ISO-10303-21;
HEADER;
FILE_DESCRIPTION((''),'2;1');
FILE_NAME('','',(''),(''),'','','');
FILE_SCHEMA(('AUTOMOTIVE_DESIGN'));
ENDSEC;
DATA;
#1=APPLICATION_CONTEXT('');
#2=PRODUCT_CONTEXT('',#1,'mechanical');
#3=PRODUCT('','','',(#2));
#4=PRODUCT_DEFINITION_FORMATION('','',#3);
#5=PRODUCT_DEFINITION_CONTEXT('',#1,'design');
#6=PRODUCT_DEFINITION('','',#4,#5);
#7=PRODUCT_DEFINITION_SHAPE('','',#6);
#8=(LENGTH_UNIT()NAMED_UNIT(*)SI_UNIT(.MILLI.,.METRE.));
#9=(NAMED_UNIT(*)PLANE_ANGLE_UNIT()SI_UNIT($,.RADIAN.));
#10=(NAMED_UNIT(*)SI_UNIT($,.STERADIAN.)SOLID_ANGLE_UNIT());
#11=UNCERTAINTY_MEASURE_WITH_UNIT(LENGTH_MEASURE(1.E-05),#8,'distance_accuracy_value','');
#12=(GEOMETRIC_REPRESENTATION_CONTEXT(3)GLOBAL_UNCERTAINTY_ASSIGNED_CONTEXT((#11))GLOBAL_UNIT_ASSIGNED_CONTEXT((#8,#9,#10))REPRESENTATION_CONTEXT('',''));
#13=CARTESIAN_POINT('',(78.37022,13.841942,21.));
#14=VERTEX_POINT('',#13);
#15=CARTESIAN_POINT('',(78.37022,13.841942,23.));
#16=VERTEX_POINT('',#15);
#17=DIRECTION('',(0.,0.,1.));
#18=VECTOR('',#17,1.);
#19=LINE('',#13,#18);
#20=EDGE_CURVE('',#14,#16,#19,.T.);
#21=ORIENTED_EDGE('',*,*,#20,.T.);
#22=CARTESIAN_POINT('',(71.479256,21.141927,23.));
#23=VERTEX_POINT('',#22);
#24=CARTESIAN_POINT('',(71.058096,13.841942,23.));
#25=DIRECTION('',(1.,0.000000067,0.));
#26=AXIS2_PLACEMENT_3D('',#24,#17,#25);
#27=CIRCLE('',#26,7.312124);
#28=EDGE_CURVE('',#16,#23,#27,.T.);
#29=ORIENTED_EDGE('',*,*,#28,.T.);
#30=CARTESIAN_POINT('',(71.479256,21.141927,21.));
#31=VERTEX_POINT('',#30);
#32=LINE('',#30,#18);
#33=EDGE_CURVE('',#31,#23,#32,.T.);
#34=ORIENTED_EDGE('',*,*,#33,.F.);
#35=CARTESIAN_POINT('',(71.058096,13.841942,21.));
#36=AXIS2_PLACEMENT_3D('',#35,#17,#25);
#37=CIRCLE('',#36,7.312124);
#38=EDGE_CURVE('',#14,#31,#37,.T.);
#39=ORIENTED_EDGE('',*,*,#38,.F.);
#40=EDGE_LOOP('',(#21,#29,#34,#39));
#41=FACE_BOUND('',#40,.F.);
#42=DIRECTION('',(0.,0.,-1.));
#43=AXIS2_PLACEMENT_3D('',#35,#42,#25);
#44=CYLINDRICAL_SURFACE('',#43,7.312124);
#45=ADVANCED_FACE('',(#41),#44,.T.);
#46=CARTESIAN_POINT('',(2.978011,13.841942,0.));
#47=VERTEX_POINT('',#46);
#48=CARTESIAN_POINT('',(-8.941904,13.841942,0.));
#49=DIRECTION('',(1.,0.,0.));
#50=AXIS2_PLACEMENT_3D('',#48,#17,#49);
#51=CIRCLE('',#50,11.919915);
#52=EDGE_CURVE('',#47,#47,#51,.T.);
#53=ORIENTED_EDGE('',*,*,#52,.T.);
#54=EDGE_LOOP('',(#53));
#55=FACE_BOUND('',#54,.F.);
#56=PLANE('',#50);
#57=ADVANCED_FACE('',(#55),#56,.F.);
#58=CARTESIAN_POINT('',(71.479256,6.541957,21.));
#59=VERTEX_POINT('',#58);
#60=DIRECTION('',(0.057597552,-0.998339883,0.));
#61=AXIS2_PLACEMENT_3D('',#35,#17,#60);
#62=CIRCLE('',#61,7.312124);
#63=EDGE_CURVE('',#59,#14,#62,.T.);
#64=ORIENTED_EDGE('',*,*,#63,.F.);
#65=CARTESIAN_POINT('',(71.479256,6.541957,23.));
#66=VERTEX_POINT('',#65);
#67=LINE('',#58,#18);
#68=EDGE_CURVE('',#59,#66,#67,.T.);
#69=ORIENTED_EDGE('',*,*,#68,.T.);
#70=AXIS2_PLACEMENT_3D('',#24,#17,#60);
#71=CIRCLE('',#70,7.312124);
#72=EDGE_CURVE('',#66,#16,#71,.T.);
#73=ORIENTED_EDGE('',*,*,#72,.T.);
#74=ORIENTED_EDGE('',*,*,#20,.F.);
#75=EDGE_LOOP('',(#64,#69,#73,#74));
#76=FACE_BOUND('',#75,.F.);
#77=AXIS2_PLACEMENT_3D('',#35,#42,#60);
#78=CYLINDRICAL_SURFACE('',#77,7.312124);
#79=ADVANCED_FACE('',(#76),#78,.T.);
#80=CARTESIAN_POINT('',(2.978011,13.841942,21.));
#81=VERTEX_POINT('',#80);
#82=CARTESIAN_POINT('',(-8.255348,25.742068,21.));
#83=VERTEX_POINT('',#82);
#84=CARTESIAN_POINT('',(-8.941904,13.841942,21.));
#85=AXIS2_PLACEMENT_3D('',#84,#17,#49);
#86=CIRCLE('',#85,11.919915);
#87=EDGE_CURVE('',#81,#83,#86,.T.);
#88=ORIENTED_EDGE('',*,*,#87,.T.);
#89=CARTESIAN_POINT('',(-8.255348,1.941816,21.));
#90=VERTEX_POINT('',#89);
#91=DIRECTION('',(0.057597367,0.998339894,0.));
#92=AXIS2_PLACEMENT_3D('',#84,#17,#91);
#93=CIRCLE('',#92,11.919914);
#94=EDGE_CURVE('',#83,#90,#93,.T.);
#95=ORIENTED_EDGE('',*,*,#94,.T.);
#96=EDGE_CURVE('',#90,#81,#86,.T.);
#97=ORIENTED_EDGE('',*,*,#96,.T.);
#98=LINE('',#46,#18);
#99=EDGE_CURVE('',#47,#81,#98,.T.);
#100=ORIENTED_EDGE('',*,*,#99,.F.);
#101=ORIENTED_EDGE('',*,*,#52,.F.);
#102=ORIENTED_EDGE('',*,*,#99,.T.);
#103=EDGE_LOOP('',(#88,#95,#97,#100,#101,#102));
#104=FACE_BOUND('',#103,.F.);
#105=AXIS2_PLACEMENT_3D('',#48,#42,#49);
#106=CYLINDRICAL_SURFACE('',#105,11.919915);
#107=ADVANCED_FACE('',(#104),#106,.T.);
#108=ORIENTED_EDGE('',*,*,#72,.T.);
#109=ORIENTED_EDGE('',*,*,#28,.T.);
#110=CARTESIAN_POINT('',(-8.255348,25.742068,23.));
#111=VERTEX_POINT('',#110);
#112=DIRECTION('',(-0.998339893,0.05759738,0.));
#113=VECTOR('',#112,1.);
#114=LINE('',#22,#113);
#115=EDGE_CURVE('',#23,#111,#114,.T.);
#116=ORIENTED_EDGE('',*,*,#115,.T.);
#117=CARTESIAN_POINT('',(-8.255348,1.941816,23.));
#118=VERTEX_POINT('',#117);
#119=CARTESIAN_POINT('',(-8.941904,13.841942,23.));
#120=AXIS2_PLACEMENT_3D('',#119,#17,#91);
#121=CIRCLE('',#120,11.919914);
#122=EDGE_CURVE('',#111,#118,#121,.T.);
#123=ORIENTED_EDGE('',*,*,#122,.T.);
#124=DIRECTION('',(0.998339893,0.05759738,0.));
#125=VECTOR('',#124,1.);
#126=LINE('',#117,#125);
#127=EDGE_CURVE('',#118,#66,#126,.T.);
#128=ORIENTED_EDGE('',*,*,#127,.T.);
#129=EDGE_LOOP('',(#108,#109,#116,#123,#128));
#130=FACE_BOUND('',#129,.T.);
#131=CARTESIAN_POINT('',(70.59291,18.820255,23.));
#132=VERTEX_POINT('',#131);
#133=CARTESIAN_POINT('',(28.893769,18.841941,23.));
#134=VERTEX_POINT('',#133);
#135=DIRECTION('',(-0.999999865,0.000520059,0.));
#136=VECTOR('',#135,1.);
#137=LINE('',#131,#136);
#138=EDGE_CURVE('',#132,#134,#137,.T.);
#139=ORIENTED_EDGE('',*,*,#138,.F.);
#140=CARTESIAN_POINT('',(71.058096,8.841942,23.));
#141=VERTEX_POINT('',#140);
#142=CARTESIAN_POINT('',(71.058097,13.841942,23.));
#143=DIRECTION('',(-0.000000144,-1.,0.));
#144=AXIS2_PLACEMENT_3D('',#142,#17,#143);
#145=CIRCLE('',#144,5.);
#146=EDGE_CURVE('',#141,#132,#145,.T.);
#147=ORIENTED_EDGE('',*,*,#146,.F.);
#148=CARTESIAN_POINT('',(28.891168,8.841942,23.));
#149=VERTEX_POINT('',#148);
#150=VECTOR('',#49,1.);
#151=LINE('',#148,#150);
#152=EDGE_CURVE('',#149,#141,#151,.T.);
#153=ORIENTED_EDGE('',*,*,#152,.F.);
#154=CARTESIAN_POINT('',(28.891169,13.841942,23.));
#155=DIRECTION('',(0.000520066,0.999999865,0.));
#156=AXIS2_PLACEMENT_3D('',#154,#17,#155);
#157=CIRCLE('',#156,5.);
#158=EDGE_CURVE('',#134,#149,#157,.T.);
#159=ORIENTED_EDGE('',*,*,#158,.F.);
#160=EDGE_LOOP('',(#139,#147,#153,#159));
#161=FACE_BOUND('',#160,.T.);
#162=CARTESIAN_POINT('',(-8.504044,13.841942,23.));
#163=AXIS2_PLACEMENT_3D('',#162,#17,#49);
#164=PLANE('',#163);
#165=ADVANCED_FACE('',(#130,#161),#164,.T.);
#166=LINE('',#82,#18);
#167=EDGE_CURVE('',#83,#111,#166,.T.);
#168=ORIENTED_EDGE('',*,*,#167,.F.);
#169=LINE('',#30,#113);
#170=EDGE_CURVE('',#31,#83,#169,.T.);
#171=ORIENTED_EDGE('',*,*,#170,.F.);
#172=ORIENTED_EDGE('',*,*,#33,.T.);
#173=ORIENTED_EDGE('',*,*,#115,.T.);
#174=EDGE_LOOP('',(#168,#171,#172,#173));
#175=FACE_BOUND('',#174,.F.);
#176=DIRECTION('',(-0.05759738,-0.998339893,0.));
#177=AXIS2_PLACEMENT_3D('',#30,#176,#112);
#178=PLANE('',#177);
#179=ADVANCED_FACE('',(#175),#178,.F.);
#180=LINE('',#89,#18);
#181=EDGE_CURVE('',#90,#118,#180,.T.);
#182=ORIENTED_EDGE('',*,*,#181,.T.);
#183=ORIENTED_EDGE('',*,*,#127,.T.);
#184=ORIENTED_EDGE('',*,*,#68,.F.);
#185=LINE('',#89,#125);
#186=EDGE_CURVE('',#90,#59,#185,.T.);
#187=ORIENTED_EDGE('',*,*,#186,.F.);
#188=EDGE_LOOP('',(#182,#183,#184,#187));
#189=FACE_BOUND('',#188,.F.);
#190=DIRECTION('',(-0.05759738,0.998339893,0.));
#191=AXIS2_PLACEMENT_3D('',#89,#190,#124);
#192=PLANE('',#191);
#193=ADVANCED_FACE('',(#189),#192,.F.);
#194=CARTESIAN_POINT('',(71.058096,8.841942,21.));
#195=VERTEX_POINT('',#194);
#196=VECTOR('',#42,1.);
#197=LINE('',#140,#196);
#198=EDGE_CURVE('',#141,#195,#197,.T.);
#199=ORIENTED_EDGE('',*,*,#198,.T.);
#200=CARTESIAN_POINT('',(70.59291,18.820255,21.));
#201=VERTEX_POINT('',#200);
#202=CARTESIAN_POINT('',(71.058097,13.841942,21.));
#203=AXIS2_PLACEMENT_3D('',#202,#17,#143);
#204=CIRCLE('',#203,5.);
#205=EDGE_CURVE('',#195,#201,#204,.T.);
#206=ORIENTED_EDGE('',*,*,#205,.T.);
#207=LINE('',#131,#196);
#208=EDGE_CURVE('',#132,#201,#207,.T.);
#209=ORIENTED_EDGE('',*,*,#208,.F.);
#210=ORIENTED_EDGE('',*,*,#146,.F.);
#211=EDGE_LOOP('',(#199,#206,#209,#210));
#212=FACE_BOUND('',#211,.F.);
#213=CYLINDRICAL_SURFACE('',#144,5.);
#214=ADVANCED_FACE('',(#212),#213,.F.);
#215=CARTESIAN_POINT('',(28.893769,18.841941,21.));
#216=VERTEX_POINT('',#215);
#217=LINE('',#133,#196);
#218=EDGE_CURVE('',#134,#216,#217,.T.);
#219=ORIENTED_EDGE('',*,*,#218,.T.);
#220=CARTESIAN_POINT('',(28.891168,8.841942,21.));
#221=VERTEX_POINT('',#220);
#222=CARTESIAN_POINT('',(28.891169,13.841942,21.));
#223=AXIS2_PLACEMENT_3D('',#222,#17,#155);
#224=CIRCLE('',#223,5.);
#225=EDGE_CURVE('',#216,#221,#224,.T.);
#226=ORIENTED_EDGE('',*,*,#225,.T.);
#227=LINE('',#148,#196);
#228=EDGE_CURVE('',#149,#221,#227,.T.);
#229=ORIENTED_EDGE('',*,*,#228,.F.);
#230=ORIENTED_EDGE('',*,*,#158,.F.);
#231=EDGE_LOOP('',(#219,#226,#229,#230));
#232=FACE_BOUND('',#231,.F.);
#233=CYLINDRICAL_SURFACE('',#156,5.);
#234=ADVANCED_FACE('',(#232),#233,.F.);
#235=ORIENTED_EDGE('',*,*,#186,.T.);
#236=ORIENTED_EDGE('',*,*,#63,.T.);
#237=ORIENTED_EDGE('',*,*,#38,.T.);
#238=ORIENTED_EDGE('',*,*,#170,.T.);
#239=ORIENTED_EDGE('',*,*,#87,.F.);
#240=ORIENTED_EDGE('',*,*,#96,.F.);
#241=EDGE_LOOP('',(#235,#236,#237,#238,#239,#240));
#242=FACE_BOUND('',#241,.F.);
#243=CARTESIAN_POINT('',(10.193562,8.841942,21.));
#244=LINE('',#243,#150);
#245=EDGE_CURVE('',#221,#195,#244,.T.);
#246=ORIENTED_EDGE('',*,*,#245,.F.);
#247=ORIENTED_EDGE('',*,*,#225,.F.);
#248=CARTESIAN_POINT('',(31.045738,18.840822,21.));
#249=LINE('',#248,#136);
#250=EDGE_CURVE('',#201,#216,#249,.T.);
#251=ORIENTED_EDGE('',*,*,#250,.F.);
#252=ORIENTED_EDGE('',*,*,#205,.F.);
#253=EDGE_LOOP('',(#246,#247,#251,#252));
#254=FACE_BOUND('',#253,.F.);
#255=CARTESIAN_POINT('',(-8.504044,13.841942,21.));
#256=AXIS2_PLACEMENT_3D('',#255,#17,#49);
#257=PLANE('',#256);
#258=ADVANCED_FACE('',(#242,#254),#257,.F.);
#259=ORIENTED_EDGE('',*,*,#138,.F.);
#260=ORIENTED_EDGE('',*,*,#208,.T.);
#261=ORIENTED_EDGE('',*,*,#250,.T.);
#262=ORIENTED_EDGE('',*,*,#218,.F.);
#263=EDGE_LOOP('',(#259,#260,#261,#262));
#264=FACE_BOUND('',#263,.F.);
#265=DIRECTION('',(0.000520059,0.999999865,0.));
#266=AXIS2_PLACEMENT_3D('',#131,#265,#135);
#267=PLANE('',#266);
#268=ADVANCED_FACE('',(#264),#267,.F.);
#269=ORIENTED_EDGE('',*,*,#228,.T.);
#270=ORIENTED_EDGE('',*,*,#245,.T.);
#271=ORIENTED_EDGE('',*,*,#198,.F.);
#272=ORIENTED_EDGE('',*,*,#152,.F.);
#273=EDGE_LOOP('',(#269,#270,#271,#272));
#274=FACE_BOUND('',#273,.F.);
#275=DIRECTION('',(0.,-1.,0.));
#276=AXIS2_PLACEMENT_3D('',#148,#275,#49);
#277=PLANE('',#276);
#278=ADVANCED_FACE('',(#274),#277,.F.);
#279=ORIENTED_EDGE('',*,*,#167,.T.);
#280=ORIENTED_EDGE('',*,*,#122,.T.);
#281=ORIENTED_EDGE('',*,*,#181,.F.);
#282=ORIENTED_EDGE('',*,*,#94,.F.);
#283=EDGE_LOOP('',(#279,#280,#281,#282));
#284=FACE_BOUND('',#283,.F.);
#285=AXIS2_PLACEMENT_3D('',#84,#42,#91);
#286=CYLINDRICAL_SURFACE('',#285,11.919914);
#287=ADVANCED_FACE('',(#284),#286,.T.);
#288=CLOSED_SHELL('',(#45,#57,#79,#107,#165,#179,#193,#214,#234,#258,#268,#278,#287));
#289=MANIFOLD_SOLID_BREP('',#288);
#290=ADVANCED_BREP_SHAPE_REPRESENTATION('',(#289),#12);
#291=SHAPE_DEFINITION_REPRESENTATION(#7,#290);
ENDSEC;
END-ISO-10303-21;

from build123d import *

# Parameters (mm, degrees)
F0_R     = 11.919915
F1_DEPTH = 21
F3_DEPTH = 2
F5_DEPTH = 25


with BuildPart() as f1:
    # F0 (on Top) → F1 (new body)
    with BuildSketch(Plane.XY):
        with Locations((-8.941904, 13.841942)):
            Circle(F0_R)
    extrude(amount=F1_DEPTH)

    # F2 (on face) → F3 (join)
    with BuildSketch(Plane.XY.offset(21)):
        with BuildLine():
            ThreePointArc((-8.255348, 1.941816), (-0.273915, 5.659623), (2.978011, 13.841942))
            ThreePointArc((2.978011, 13.841942), (-0.273915, 22.024261), (-8.255348, 25.742068))
            ThreePointArc((-8.255348, 25.742068), (-20.861818, 13.841942), (-8.255348, 1.941816))
        make_face()
        with BuildLine():
            ThreePointArc((-8.255348, 25.742068), (-0.273915, 22.024261), (2.978011, 13.841942))
            Line((2.978011, 13.841942), (63.745973, 13.841942))
            ThreePointArc((63.745973, 13.841942), (66.038754, 19.159212), (71.479256, 21.141927))
            Line((71.479256, 21.141927), (-8.255348, 25.742068))
        make_face()
        with BuildLine():
            Line((63.745973, 13.841942), (2.978011, 13.841942))
            ThreePointArc((2.978011, 13.841942), (-0.273915, 5.659623), (-8.255348, 1.941816))
            Line((-8.255348, 1.941816), (71.479256, 6.541957))
            ThreePointArc((71.479256, 6.541957), (66.038754, 8.524672), (63.745973, 13.841942))
        make_face()
        with BuildLine():
            ThreePointArc((71.479256, 21.141927), (66.038754, 19.159212), (63.745973, 13.841942))
            ThreePointArc((63.745973, 13.841942), (66.038754, 8.524672), (71.479256, 6.541957))
            ThreePointArc((71.479256, 6.541957), (76.375366, 8.8226), (78.37022, 13.841942))
            ThreePointArc((78.37022, 13.841942), (76.375366, 18.861284), (71.479256, 21.141927))
        make_face()
    extrude(amount=F3_DEPTH)

    # F4 (on face) → F5 (cut)
    with BuildSketch(Plane.XY.offset(23)):
        with BuildLine():
            Line((28.891168, 8.841942), (71.058096, 8.841942))
            ThreePointArc((71.058096, 8.841942), (76.052672, 14.074788), (70.59291, 18.820255))
            Line((70.59291, 18.820255), (28.893769, 18.841941))
            ThreePointArc((28.893769, 18.841941), (23.891169, 13.843242), (28.891168, 8.841942))
        make_face()
    extrude(amount=-F5_DEPTH, mode=Mode.SUBTRACT)


solid = f1.part
